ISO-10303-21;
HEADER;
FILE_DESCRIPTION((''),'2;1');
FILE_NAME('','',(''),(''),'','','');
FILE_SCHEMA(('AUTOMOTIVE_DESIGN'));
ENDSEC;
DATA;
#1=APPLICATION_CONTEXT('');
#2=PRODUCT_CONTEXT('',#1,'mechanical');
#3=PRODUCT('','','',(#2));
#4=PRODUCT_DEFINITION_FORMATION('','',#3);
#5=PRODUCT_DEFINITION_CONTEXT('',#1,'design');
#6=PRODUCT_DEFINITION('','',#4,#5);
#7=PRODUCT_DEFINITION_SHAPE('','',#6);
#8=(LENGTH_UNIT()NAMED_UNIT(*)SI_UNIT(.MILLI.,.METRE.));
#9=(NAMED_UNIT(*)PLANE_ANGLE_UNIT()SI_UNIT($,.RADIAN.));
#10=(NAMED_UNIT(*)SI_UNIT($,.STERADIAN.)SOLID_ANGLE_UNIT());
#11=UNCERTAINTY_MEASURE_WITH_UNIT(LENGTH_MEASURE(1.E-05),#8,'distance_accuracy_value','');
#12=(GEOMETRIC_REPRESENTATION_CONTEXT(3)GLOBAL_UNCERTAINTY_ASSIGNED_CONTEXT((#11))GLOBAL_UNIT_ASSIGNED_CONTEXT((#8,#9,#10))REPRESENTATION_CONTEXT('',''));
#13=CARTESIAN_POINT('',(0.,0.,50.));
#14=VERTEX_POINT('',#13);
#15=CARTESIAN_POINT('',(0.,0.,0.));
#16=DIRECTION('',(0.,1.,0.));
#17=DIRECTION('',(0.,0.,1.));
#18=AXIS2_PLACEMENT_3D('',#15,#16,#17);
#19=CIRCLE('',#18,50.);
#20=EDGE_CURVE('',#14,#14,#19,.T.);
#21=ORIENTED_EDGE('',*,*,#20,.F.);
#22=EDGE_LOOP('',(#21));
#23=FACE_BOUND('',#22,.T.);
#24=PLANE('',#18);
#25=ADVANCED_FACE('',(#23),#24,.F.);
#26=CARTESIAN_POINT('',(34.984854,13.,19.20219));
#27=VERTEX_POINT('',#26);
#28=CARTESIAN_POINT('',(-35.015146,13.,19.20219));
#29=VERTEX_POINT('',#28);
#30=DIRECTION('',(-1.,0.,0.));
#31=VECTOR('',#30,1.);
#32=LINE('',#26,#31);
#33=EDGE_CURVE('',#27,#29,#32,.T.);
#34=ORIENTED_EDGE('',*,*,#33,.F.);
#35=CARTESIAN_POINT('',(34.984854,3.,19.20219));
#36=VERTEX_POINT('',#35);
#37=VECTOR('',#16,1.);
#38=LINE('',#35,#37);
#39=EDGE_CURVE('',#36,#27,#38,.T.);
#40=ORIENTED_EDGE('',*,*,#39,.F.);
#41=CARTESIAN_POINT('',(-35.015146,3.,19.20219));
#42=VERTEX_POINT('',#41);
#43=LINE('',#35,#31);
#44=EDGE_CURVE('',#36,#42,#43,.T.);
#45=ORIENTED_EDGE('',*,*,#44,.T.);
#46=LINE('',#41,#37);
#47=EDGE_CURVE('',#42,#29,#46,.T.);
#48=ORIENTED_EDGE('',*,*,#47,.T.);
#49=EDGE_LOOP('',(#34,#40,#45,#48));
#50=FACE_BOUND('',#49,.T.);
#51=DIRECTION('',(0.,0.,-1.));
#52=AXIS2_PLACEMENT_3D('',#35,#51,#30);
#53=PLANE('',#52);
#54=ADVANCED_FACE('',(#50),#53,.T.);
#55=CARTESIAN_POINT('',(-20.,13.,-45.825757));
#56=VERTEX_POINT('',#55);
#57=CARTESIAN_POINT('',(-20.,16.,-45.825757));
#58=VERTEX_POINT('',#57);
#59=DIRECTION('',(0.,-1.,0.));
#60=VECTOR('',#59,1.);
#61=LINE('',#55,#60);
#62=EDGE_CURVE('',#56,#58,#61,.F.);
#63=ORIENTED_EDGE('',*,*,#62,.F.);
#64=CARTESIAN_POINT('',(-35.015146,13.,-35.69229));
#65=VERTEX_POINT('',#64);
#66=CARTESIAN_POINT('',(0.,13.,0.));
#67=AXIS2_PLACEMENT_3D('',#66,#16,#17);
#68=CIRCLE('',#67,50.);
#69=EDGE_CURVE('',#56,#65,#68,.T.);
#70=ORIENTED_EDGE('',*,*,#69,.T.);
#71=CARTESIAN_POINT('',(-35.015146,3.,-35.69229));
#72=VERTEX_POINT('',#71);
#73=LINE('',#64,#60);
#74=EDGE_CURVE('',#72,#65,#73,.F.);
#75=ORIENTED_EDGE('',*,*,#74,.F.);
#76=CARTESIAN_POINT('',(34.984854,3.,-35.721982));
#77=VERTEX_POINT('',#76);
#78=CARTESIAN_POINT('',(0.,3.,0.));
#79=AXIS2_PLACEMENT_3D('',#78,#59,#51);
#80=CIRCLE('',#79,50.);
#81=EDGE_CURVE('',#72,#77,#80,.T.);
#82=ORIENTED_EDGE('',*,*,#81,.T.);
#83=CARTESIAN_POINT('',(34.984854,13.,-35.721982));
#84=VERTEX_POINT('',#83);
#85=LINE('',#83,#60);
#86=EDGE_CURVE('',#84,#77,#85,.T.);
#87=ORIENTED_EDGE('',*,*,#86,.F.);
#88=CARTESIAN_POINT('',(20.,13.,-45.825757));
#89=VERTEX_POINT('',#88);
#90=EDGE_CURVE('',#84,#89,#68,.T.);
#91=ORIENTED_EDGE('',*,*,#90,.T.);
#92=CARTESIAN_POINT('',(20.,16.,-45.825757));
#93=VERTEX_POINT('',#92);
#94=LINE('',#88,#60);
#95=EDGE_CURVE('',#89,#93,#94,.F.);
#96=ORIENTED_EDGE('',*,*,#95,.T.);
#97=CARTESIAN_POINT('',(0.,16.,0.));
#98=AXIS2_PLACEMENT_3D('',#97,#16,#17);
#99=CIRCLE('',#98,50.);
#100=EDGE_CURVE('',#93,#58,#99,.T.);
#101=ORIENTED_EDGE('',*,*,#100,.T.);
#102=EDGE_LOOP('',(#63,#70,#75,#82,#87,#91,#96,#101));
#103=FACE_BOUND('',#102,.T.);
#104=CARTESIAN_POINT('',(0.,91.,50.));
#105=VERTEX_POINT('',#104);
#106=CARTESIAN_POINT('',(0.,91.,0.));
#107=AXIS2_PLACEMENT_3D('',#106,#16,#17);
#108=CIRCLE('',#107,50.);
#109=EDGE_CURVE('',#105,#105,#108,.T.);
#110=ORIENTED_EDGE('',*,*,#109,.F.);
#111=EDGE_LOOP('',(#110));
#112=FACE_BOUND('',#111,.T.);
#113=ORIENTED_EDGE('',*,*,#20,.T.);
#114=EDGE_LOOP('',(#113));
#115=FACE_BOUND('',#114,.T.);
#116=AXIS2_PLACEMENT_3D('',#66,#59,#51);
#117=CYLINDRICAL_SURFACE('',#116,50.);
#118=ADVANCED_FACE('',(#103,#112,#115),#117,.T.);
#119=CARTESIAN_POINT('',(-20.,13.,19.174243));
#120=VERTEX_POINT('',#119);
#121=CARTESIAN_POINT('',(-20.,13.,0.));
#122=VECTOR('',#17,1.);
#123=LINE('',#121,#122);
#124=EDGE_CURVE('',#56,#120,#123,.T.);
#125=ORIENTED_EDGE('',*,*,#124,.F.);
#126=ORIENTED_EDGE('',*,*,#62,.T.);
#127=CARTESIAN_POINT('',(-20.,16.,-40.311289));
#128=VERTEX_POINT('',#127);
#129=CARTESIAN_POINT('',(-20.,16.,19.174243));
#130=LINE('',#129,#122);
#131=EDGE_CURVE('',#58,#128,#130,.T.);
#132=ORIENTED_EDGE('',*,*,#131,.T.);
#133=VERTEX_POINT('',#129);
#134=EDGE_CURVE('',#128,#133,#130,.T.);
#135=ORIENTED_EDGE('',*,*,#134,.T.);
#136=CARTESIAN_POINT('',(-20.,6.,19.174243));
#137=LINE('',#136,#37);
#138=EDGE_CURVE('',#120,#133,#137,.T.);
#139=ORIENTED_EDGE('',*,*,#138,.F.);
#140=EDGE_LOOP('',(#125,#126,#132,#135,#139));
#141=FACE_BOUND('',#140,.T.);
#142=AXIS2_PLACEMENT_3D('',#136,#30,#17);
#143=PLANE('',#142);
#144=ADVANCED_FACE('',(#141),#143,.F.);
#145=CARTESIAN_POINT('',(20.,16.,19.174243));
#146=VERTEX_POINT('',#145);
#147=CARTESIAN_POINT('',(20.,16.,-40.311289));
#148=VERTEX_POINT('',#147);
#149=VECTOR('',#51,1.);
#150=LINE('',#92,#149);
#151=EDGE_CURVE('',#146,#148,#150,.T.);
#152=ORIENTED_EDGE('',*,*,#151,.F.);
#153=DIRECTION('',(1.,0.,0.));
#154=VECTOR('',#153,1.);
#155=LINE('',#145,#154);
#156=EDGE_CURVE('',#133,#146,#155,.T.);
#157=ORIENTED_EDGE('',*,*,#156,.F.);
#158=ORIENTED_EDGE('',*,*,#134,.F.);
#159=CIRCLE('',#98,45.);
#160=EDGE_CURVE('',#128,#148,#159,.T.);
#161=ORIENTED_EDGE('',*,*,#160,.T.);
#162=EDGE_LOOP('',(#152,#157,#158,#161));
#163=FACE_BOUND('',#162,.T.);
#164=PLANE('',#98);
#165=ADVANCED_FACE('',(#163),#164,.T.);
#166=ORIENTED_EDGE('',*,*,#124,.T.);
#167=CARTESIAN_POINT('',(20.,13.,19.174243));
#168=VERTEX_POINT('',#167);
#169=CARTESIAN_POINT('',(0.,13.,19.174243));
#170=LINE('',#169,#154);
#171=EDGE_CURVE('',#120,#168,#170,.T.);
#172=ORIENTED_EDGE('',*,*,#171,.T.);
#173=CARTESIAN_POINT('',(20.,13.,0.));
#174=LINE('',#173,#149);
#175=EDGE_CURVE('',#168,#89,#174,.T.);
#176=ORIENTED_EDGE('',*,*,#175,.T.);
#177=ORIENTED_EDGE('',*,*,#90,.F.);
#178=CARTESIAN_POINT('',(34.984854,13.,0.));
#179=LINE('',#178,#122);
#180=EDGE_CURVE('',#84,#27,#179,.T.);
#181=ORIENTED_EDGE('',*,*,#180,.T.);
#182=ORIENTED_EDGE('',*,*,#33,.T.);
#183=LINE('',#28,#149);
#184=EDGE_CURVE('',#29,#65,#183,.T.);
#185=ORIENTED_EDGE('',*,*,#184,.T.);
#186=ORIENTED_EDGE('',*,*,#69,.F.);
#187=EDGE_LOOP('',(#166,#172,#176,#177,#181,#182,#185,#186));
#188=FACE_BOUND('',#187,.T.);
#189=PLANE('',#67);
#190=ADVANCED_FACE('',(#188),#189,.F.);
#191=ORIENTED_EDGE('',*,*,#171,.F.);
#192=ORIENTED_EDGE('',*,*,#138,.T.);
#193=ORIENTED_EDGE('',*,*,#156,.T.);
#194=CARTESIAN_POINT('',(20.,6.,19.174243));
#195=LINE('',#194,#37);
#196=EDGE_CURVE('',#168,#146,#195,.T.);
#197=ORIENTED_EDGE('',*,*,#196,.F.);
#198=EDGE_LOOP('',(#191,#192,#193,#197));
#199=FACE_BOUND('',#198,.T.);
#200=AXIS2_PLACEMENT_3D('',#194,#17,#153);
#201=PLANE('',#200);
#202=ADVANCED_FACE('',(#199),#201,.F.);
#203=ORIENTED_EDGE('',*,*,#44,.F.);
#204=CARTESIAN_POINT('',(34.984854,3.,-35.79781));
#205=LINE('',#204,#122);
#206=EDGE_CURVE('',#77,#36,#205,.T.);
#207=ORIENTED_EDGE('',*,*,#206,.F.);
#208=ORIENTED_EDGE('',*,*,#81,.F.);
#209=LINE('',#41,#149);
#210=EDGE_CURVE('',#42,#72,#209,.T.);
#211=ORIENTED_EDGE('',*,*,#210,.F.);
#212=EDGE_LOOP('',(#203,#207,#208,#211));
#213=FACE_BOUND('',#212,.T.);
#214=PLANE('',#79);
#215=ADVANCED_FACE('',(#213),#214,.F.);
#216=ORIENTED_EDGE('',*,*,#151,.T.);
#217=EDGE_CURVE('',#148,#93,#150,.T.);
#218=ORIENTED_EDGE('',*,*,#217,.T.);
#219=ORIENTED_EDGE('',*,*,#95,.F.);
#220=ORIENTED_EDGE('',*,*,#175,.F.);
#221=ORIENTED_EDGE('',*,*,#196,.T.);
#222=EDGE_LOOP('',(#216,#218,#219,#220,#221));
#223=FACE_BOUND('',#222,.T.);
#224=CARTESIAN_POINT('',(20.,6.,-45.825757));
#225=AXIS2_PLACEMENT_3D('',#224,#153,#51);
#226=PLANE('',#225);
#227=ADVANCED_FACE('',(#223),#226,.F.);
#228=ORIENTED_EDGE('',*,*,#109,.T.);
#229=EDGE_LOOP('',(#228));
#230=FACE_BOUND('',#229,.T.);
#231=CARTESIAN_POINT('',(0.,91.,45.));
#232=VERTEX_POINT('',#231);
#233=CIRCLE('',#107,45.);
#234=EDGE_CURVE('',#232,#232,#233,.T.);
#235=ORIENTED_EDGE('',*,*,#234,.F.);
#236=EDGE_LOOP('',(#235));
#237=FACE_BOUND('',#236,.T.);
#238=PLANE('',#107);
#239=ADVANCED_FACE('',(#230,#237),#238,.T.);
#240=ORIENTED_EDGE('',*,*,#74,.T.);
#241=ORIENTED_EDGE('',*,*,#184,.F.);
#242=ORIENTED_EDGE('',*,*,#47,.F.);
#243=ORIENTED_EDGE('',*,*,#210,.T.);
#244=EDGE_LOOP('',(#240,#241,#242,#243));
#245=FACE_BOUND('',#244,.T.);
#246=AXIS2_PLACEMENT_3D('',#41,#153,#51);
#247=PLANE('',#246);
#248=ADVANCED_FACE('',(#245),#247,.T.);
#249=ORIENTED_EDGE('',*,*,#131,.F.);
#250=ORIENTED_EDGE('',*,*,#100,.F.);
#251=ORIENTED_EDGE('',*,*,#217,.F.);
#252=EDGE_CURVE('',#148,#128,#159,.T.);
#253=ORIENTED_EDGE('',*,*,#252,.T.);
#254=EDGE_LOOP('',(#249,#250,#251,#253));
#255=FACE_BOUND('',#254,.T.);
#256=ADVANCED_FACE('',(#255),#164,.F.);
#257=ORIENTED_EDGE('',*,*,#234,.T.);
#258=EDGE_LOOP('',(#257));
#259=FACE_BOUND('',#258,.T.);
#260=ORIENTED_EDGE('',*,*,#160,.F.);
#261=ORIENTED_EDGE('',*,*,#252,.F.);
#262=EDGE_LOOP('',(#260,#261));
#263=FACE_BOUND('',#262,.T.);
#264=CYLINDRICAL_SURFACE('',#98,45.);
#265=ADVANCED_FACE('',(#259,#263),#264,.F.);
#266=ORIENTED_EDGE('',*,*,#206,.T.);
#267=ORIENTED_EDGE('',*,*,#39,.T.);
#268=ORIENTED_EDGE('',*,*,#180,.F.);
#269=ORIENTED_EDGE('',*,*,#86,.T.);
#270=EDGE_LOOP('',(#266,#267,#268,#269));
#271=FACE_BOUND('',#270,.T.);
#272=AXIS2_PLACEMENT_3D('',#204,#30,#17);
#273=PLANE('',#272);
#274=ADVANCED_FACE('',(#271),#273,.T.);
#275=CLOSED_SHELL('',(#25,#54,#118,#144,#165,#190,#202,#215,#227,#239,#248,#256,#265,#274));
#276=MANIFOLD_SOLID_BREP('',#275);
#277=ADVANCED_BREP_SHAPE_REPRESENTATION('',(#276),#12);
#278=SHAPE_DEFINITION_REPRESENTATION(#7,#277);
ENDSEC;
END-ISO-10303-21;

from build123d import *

# Parameters (mm, degrees)
SKETCH1_R           = 50
BOSS_EXTRUDE1_DEPTH = 13
SKETCH2_W           = 70
SKETCH2_H           = 55
CUT_EXTRUDE1_DEPTH  = 10
CUT_EXTRUDE3_START  = -10
CUT_EXTRUDE3_DEPTH  = 10
SKETCH6_R           = 50
BOSS_EXTRUDE5_DEPTH = 3
SKETCH11_W          = 40
SKETCH11_H          = 65
CUT_EXTRUDE12_DEPTH = 10
CUT_EXTRUDE13_START = -10
CUT_EXTRUDE13_DEPTH = 10
SKETCH13_R          = 50
BOSS_EXTRUDE6_DEPTH = 75
SKETCH14_R          = 45
CUT_EXTRUDE14_DEPTH = 75


with BuildPart() as part:
    # Sketch1 → Boss-Extrude1 (new body)
    with BuildSketch(Plane(origin=(0, 0, 0), x_dir=(1, 0, 0), z_dir=(0, 1, 0))):
        with Locations(Location((0, 0, 0), (0, 0, 90))):
            Circle(SKETCH1_R)
    extrude(amount=BOSS_EXTRUDE1_DEPTH)

    # Sketch2 → Cut-Extrude1 (cut)
    with BuildSketch(Plane(origin=(0, 13, 0), x_dir=(1, 0, 0), z_dir=(0, 1, 0))):
        with Locations((-0.015145616, 8.297810168)):
            Rectangle(SKETCH2_W, SKETCH2_H)
    extrude(amount=-CUT_EXTRUDE1_DEPTH, mode=Mode.SUBTRACT)

    # Sketch3 → Cut-Extrude3 (cut)
    with BuildSketch(Plane(origin=(0, 13, 0), x_dir=(1, 0, 0), z_dir=(0, 1, 0)).offset(CUT_EXTRUDE3_START)):
        with BuildLine():
            Line((-35.015145616, 35.692290169), (34.984854384, 35.72198152))
            ThreePointArc((34.984854384, 35.72198152), (-0.021208106, 49.999995502), (-35.015145616, 35.692290169))
        make_face()
    extrude(amount=CUT_EXTRUDE3_DEPTH, mode=Mode.SUBTRACT)

    # Sketch6 → Boss-Extrude5 (add)
    with BuildSketch(Plane(origin=(0, 13, 0), x_dir=(1, 0, 0), z_dir=(0, 1, 0))):
        with Locations(Location((0, 0, 0), (0, 0, 270))):
            Circle(SKETCH6_R)
    extrude(amount=BOSS_EXTRUDE5_DEPTH)

    # Sketch11 → Cut-Extrude12 (cut)
    with BuildSketch(Plane(origin=(0, 16, 0), x_dir=(1, 0, 0), z_dir=(0, 1, 0))):
        with Locations((0, 13.32575695)):
            Rectangle(SKETCH11_W, SKETCH11_H)
    extrude(amount=-CUT_EXTRUDE12_DEPTH, mode=Mode.SUBTRACT)

    # Sketch12 → Cut-Extrude13 (cut)
    with BuildSketch(Plane(origin=(0, 16, 0), x_dir=(1, 0, 0), z_dir=(0, 1, 0)).offset(CUT_EXTRUDE13_START)):
        with BuildLine():
            Line((-20, 45.82575695), (20, 45.82575695))
            ThreePointArc((20, 45.82575695), (0, 50), (-20, 45.82575695))
        make_face()
    extrude(amount=CUT_EXTRUDE13_DEPTH, mode=Mode.SUBTRACT)

    # Sketch13 → Boss-Extrude6 (add)
    with BuildSketch(Plane(origin=(0, 16, 0), x_dir=(1, 0, 0), z_dir=(0, 1, 0))):
        with Locations(Location((0, 0, 0), (0, 0, 270))):
            Circle(SKETCH13_R)
    extrude(amount=BOSS_EXTRUDE6_DEPTH)

    # Sketch14 → Cut-Extrude14 (cut)
    with BuildSketch(Plane(origin=(0, 91, 0), x_dir=(1, 0, 0), z_dir=(0, 1, 0))):
        with Locations(Location((0, 0, 0), (0, 0, 270))):
            Circle(SKETCH14_R)
    extrude(amount=-CUT_EXTRUDE14_DEPTH, mode=Mode.SUBTRACT)


solid = part.part
